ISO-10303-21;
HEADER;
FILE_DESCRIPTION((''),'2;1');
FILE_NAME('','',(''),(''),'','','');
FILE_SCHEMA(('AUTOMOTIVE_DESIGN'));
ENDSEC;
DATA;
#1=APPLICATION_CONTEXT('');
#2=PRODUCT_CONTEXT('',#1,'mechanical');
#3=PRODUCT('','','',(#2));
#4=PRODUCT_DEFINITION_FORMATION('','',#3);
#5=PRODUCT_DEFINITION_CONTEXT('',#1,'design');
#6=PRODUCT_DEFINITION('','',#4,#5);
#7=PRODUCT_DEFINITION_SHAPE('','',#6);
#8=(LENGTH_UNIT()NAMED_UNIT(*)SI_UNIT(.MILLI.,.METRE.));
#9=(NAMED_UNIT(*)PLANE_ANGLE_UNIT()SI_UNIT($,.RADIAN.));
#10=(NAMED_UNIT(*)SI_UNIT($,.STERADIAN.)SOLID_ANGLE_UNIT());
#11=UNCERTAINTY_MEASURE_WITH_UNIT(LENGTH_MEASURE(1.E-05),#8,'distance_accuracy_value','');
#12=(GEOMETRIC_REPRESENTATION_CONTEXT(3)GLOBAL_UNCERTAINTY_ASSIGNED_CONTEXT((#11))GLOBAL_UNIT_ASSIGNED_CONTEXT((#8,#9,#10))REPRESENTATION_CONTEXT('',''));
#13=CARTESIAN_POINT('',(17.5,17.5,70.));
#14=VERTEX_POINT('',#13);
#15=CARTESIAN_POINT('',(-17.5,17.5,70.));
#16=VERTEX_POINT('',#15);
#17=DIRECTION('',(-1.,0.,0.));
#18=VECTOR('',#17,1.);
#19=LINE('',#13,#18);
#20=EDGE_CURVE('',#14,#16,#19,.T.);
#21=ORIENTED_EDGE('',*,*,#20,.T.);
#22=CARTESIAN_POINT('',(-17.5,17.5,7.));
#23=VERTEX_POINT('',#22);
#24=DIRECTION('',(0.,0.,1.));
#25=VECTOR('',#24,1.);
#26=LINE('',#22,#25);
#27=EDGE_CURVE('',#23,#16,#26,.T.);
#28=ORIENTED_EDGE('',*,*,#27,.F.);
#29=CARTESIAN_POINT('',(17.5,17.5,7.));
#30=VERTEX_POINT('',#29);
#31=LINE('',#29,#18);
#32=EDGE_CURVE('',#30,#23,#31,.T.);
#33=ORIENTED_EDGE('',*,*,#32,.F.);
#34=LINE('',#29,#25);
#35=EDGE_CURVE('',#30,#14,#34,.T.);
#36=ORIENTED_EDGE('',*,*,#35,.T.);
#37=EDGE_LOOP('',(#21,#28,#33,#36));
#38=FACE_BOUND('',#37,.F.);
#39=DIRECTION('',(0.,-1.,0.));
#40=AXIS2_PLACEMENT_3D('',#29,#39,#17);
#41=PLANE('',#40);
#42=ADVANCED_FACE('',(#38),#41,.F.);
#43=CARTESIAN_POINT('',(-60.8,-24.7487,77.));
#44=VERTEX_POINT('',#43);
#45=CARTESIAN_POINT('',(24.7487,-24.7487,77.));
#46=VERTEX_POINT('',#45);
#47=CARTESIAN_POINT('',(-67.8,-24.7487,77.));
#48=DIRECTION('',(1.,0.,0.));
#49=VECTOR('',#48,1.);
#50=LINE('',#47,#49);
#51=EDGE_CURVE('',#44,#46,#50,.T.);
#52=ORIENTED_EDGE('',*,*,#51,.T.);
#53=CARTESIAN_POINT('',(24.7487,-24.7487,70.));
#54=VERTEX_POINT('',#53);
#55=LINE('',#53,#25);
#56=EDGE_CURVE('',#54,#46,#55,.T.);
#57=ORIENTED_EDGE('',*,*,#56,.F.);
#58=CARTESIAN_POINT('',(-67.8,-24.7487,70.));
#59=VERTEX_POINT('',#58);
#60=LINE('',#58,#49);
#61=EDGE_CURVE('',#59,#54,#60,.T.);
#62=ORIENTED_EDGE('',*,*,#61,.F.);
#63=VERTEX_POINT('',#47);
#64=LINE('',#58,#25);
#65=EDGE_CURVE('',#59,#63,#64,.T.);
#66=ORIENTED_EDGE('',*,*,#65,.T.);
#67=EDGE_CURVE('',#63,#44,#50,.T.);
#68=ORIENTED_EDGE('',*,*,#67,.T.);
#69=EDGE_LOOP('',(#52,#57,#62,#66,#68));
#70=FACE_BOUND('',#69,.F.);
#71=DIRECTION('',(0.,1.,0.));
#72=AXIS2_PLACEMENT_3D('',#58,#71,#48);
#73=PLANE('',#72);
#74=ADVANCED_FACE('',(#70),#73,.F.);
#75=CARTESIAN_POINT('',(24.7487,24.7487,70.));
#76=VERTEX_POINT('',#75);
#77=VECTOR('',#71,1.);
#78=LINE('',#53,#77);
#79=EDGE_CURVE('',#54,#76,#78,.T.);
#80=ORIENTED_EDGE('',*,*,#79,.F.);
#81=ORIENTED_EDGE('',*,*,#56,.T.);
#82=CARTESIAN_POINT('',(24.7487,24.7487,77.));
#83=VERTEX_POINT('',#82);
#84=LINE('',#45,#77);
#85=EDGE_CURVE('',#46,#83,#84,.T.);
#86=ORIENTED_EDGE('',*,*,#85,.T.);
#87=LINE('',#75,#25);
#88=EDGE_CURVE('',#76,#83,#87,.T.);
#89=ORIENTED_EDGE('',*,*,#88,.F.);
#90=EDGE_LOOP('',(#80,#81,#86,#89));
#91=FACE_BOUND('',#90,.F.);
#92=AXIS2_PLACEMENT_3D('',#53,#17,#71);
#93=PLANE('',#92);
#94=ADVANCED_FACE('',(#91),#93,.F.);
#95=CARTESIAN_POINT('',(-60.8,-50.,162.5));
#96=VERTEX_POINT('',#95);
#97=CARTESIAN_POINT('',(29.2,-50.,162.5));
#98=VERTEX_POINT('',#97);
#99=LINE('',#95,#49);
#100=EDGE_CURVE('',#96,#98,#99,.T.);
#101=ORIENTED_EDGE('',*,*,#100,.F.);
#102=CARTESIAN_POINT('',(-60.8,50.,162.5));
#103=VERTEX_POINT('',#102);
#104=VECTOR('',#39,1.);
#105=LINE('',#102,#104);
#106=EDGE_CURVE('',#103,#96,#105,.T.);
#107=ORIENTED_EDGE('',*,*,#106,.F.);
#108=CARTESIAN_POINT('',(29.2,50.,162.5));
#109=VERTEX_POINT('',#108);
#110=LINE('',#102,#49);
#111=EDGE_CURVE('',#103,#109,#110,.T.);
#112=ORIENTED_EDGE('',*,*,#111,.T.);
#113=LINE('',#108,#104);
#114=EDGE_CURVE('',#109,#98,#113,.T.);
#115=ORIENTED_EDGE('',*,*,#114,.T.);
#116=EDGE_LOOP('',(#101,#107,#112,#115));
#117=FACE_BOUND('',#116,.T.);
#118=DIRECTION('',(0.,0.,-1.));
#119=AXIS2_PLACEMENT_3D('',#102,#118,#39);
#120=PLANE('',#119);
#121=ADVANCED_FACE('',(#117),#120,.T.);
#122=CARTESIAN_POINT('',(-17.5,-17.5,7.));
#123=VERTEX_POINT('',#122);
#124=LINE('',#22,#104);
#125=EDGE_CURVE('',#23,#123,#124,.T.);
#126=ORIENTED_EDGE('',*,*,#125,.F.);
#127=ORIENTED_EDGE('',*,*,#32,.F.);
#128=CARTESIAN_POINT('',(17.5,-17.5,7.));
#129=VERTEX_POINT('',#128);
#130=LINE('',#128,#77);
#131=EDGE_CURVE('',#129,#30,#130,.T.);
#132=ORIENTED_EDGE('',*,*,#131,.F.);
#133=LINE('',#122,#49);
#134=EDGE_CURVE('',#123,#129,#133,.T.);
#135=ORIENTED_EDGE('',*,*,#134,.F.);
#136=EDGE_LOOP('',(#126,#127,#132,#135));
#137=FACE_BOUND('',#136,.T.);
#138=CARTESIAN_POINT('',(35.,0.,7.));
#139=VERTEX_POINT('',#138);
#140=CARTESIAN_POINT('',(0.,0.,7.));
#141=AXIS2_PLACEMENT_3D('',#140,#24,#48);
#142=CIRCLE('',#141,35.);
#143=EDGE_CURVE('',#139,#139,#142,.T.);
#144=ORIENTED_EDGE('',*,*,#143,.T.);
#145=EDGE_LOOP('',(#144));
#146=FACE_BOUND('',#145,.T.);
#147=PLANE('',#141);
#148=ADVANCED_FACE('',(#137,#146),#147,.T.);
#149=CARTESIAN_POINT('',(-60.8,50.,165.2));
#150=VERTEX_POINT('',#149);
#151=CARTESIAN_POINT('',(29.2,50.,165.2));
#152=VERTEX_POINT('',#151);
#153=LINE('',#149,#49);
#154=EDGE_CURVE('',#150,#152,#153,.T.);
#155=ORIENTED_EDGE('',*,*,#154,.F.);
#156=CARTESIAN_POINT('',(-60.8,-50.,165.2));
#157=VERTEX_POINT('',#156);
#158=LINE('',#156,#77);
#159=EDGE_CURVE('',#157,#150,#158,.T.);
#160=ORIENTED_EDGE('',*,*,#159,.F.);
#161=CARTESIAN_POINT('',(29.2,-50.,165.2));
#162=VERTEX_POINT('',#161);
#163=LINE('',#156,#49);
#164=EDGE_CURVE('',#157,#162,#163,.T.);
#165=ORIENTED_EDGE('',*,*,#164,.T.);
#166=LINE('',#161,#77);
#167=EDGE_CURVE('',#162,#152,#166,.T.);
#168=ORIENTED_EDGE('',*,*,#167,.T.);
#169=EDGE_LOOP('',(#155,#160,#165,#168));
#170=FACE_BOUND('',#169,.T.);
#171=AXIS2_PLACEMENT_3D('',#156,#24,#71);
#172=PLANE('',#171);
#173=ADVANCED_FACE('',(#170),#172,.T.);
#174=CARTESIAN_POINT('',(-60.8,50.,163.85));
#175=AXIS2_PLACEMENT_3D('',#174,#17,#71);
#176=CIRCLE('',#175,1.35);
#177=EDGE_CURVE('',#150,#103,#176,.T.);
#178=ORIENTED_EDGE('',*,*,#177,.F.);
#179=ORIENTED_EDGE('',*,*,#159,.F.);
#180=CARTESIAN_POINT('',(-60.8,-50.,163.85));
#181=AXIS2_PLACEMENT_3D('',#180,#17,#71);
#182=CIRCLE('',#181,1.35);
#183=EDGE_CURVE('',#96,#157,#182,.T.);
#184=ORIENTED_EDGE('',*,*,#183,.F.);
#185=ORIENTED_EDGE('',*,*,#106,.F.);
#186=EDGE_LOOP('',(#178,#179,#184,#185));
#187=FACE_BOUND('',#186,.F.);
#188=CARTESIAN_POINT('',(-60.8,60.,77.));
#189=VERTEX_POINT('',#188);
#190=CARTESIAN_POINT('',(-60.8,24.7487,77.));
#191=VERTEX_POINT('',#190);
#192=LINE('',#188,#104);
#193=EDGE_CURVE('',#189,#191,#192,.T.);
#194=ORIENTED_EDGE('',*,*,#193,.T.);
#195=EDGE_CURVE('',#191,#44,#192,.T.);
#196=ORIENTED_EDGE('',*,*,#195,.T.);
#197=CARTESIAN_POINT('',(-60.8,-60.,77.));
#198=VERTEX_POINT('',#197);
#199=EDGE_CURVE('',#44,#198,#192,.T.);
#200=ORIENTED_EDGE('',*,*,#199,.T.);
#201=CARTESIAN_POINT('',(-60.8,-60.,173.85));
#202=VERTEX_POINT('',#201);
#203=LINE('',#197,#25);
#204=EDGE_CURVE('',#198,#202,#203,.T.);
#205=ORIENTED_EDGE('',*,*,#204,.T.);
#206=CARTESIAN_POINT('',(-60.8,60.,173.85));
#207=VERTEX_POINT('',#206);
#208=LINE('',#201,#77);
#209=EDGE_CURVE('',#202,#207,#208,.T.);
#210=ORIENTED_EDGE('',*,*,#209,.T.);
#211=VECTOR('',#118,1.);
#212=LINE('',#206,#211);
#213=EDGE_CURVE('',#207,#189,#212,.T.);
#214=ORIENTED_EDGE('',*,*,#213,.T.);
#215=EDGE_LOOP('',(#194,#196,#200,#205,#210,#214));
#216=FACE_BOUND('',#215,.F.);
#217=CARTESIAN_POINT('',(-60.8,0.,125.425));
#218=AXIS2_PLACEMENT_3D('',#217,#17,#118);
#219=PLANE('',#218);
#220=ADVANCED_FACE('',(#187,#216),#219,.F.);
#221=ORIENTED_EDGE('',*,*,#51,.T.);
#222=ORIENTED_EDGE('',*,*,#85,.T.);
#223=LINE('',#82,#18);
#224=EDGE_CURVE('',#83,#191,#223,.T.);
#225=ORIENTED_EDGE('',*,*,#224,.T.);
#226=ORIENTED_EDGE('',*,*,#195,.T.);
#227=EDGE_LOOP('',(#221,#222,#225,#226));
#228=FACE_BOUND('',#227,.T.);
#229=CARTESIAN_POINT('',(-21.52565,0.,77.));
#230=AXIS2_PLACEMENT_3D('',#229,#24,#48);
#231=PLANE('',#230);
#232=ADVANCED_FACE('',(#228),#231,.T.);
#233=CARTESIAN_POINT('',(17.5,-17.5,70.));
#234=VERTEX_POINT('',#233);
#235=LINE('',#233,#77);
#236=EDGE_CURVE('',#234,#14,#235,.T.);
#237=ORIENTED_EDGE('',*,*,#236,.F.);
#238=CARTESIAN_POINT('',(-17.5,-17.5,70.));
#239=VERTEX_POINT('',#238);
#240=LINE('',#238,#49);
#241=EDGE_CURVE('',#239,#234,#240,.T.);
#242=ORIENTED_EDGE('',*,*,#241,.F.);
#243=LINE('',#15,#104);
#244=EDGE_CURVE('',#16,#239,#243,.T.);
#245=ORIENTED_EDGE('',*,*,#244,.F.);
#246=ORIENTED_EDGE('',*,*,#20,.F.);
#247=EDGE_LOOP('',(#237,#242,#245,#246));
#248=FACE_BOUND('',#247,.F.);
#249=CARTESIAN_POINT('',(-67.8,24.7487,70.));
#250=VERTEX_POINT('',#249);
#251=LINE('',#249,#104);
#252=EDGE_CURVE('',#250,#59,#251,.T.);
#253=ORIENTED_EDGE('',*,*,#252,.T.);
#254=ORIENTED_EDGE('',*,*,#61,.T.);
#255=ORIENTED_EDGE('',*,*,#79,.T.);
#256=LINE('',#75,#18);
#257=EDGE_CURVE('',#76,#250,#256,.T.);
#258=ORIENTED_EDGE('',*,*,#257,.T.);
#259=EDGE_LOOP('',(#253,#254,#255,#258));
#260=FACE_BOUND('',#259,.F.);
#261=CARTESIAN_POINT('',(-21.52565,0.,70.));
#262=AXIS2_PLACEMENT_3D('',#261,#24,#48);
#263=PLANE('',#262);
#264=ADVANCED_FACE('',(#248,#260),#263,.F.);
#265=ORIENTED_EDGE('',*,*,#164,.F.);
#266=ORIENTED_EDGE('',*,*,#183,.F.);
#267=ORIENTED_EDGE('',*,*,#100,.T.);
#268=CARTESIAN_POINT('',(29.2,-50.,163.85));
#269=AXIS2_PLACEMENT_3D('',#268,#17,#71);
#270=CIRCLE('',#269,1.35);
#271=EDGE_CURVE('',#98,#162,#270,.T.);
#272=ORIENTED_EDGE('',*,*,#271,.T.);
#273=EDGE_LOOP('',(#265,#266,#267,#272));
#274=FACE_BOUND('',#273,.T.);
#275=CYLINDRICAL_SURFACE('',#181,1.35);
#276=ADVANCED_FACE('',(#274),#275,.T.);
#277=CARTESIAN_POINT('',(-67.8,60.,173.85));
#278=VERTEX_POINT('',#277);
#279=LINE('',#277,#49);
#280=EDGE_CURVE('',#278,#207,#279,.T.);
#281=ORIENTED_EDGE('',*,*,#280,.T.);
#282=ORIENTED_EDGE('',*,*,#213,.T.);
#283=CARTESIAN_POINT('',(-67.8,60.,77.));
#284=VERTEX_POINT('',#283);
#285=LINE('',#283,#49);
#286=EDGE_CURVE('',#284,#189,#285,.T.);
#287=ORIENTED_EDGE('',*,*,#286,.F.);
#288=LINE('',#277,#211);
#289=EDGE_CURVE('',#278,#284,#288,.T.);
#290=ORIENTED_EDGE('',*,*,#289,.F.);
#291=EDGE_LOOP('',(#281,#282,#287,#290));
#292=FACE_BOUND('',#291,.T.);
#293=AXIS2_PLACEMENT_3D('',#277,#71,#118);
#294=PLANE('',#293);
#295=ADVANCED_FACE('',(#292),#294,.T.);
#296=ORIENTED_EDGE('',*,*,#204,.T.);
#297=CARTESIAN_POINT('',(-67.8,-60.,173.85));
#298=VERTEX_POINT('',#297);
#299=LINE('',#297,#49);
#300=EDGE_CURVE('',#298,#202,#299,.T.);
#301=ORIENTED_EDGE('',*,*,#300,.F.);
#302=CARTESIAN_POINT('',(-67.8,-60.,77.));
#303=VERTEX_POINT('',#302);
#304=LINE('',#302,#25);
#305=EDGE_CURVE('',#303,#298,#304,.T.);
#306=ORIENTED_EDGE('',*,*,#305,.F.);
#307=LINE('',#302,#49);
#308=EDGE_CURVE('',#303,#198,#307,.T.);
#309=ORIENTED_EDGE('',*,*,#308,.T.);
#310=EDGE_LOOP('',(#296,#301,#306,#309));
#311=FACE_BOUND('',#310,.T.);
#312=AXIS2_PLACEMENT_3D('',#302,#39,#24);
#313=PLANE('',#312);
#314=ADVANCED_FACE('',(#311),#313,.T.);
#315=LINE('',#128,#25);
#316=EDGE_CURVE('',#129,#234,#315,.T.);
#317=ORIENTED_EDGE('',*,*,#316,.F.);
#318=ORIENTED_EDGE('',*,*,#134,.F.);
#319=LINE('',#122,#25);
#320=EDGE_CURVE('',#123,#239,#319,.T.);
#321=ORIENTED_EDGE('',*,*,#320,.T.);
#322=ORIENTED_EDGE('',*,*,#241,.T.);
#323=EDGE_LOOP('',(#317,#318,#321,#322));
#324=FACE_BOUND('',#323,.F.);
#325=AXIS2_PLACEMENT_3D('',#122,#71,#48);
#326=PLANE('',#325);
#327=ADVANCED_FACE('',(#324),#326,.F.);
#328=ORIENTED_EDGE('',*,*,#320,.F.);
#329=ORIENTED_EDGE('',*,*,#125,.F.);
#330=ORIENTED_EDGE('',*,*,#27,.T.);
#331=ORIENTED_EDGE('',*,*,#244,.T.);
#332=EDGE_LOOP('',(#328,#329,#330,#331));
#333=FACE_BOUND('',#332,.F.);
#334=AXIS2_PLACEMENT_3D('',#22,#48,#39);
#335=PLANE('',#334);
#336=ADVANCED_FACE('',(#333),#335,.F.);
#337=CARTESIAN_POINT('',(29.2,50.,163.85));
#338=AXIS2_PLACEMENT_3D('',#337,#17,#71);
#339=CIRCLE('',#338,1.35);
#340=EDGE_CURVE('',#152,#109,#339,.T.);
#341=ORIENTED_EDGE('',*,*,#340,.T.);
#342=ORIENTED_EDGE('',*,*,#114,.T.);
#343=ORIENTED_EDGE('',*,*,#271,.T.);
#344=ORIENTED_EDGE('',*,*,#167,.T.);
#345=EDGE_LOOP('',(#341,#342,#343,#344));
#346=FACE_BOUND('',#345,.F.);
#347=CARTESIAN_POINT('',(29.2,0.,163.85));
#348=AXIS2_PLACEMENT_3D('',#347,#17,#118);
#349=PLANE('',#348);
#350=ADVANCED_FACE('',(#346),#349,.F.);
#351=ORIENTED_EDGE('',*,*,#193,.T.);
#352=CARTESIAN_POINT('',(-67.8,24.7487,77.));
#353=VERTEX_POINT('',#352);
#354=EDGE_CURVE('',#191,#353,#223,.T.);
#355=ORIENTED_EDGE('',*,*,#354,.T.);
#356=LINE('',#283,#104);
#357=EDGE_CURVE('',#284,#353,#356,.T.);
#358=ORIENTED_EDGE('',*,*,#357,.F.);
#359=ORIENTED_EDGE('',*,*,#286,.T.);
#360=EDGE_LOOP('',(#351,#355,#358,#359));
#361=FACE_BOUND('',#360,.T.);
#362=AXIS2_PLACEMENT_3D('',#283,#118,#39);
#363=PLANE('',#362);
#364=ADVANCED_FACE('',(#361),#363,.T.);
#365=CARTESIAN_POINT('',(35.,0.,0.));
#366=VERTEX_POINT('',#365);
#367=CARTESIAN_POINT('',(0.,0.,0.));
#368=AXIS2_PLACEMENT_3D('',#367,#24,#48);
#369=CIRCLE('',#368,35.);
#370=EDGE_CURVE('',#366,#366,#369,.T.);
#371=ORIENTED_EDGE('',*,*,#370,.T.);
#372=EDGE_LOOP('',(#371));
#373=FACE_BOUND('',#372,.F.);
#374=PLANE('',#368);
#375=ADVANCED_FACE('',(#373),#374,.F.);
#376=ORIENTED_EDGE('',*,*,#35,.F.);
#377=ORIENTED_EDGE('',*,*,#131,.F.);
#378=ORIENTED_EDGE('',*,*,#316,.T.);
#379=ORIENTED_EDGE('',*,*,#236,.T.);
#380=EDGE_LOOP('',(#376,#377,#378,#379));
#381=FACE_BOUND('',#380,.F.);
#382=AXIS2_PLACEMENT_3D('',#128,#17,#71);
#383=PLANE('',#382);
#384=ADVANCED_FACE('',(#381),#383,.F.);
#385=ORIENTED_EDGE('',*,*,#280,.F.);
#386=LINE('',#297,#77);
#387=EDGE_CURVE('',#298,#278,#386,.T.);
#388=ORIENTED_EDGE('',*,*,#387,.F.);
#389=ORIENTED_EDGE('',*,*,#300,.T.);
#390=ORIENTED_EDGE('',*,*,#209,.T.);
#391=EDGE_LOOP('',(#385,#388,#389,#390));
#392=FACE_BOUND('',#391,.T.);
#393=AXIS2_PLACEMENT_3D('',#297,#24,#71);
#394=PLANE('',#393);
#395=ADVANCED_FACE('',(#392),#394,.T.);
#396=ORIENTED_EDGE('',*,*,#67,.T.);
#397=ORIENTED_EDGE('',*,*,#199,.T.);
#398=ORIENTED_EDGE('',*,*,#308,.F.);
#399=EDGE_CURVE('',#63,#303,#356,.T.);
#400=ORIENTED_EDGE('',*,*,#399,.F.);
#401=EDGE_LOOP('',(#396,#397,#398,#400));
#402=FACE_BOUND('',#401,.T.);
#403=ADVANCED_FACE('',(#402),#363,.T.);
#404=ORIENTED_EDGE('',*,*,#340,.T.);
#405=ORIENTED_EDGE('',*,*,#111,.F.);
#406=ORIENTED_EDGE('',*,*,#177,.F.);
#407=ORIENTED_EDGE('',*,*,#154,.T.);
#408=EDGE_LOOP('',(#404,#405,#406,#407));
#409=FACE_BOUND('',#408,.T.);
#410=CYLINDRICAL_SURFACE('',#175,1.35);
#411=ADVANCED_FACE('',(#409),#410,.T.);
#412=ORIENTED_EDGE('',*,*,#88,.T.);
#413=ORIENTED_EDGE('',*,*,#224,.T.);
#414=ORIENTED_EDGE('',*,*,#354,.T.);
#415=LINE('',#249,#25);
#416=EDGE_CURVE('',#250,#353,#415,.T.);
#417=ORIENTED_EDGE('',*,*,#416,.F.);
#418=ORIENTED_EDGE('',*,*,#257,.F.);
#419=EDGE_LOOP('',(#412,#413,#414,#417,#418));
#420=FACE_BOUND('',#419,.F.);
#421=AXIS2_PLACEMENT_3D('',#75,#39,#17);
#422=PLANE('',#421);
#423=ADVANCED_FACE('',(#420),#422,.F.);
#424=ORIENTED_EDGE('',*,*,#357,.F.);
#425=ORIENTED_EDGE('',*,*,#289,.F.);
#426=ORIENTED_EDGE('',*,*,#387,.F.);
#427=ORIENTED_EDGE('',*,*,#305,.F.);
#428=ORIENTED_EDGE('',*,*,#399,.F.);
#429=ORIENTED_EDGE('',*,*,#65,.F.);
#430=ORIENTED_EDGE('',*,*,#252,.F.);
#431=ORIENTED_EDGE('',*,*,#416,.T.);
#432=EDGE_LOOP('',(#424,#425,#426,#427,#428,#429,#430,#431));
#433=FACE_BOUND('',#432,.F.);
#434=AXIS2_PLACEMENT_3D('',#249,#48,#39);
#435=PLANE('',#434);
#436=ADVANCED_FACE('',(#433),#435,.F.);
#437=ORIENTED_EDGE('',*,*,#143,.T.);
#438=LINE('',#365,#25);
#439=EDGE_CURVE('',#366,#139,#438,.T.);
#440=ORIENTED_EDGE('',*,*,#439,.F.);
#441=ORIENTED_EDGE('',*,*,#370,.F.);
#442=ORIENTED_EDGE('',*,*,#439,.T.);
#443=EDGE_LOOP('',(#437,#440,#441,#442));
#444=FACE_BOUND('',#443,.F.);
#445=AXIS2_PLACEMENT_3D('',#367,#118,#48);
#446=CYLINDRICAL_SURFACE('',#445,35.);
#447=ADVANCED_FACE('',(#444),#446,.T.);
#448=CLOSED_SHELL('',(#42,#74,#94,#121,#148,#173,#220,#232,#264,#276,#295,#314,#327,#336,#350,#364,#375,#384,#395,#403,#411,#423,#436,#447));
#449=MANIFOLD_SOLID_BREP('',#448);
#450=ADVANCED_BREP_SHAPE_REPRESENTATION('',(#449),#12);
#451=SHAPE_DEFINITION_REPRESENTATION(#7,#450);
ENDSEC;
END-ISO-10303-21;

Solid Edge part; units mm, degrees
sketch "Sketch1" plane through (0, 0, 0) normal (0, 0, 1) x (1, 0, 0)
  circle A0 centre (0, 0) radius 35
  dimension "D1" = 70
extrude "Protrusion1" add sketch "Sketch1" along normal blind 7
sketch "Sketch2" plane through (0, 0, 7) normal (0, 0, 1) x (1, 0, 0)
  line L0 (-17.5, -17.5) -> (17.5, -17.5)
  line L1 (17.5, -17.5) -> (17.5, 17.5)
  line L2 (17.5, 17.5) -> (-17.5, 17.5)
  line L3 (-17.5, 17.5) -> (-17.5, -17.5)
  dimension "D1" = 35
extrude "ExtrudedProtrusion_2" add sketch "Sketch2" along normal blind 63
sketch "Sketch3" plane through (0, 0, 70) normal (0, 0, 1) x (1, 0, 0)
  line L0 (-67.8, -24.7487) -> (24.7487, -24.7487)
  line L1 (24.7487, -24.7487) -> (24.7487, 24.7487)
  line L2 (24.7487, 24.7487) -> (-67.8, 24.7487)
  line L3 (-67.8, 24.7487) -> (-67.8, -24.7487)
  dimension "D1" = 49.4975
  dimension "D2" = 24.7487
  dimension "D3" = 67.8
extrude "ExtrudedProtrusion_3" add sketch "Sketch3" along normal blind 7
sketch "Sketch4" plane through (-67.8, 0, 73.5) normal (-1, 0, 0) x (0, -1, 0)
  line L0 (-60, 3.5) -> (60, 3.5)
  line L1 (60, 3.5) -> (60, 100.35)
  line L2 (60, 100.35) -> (-60, 100.35)
  line L3 (-60, 100.35) -> (-60, 3.5)
  dimension "D1" = 120
  dimension "D2" = 2.7
  dimension "D3" = 10
  dimension "D4" = 163.85
  dimension "D5" = 100
extrude "ExtrudedProtrusion_4" add sketch "Sketch4" against normal blind 7
sketch "Sketch5" plane through (-60.8, 0, 125.425) normal (1, 0, 0) x (0, 1, 0)
  line L0 (-50, 39.775) -> (50, 39.775)
  line L1 (50, 37.075) -> (-50, 37.075)
  arc A0 (-50, 37.075) -> (-50, 39.775) centre (-50, 38.425) cw
  arc A1 (50, 39.775) -> (50, 37.075) centre (50, 38.425) cw
  dimension "D1" = 2.7
  dimension "D2" = 100
  dimension "D3" = 163.85
extrude "ExtrudedProtrusion_5" add sketch "Sketch5" along normal blind 90
